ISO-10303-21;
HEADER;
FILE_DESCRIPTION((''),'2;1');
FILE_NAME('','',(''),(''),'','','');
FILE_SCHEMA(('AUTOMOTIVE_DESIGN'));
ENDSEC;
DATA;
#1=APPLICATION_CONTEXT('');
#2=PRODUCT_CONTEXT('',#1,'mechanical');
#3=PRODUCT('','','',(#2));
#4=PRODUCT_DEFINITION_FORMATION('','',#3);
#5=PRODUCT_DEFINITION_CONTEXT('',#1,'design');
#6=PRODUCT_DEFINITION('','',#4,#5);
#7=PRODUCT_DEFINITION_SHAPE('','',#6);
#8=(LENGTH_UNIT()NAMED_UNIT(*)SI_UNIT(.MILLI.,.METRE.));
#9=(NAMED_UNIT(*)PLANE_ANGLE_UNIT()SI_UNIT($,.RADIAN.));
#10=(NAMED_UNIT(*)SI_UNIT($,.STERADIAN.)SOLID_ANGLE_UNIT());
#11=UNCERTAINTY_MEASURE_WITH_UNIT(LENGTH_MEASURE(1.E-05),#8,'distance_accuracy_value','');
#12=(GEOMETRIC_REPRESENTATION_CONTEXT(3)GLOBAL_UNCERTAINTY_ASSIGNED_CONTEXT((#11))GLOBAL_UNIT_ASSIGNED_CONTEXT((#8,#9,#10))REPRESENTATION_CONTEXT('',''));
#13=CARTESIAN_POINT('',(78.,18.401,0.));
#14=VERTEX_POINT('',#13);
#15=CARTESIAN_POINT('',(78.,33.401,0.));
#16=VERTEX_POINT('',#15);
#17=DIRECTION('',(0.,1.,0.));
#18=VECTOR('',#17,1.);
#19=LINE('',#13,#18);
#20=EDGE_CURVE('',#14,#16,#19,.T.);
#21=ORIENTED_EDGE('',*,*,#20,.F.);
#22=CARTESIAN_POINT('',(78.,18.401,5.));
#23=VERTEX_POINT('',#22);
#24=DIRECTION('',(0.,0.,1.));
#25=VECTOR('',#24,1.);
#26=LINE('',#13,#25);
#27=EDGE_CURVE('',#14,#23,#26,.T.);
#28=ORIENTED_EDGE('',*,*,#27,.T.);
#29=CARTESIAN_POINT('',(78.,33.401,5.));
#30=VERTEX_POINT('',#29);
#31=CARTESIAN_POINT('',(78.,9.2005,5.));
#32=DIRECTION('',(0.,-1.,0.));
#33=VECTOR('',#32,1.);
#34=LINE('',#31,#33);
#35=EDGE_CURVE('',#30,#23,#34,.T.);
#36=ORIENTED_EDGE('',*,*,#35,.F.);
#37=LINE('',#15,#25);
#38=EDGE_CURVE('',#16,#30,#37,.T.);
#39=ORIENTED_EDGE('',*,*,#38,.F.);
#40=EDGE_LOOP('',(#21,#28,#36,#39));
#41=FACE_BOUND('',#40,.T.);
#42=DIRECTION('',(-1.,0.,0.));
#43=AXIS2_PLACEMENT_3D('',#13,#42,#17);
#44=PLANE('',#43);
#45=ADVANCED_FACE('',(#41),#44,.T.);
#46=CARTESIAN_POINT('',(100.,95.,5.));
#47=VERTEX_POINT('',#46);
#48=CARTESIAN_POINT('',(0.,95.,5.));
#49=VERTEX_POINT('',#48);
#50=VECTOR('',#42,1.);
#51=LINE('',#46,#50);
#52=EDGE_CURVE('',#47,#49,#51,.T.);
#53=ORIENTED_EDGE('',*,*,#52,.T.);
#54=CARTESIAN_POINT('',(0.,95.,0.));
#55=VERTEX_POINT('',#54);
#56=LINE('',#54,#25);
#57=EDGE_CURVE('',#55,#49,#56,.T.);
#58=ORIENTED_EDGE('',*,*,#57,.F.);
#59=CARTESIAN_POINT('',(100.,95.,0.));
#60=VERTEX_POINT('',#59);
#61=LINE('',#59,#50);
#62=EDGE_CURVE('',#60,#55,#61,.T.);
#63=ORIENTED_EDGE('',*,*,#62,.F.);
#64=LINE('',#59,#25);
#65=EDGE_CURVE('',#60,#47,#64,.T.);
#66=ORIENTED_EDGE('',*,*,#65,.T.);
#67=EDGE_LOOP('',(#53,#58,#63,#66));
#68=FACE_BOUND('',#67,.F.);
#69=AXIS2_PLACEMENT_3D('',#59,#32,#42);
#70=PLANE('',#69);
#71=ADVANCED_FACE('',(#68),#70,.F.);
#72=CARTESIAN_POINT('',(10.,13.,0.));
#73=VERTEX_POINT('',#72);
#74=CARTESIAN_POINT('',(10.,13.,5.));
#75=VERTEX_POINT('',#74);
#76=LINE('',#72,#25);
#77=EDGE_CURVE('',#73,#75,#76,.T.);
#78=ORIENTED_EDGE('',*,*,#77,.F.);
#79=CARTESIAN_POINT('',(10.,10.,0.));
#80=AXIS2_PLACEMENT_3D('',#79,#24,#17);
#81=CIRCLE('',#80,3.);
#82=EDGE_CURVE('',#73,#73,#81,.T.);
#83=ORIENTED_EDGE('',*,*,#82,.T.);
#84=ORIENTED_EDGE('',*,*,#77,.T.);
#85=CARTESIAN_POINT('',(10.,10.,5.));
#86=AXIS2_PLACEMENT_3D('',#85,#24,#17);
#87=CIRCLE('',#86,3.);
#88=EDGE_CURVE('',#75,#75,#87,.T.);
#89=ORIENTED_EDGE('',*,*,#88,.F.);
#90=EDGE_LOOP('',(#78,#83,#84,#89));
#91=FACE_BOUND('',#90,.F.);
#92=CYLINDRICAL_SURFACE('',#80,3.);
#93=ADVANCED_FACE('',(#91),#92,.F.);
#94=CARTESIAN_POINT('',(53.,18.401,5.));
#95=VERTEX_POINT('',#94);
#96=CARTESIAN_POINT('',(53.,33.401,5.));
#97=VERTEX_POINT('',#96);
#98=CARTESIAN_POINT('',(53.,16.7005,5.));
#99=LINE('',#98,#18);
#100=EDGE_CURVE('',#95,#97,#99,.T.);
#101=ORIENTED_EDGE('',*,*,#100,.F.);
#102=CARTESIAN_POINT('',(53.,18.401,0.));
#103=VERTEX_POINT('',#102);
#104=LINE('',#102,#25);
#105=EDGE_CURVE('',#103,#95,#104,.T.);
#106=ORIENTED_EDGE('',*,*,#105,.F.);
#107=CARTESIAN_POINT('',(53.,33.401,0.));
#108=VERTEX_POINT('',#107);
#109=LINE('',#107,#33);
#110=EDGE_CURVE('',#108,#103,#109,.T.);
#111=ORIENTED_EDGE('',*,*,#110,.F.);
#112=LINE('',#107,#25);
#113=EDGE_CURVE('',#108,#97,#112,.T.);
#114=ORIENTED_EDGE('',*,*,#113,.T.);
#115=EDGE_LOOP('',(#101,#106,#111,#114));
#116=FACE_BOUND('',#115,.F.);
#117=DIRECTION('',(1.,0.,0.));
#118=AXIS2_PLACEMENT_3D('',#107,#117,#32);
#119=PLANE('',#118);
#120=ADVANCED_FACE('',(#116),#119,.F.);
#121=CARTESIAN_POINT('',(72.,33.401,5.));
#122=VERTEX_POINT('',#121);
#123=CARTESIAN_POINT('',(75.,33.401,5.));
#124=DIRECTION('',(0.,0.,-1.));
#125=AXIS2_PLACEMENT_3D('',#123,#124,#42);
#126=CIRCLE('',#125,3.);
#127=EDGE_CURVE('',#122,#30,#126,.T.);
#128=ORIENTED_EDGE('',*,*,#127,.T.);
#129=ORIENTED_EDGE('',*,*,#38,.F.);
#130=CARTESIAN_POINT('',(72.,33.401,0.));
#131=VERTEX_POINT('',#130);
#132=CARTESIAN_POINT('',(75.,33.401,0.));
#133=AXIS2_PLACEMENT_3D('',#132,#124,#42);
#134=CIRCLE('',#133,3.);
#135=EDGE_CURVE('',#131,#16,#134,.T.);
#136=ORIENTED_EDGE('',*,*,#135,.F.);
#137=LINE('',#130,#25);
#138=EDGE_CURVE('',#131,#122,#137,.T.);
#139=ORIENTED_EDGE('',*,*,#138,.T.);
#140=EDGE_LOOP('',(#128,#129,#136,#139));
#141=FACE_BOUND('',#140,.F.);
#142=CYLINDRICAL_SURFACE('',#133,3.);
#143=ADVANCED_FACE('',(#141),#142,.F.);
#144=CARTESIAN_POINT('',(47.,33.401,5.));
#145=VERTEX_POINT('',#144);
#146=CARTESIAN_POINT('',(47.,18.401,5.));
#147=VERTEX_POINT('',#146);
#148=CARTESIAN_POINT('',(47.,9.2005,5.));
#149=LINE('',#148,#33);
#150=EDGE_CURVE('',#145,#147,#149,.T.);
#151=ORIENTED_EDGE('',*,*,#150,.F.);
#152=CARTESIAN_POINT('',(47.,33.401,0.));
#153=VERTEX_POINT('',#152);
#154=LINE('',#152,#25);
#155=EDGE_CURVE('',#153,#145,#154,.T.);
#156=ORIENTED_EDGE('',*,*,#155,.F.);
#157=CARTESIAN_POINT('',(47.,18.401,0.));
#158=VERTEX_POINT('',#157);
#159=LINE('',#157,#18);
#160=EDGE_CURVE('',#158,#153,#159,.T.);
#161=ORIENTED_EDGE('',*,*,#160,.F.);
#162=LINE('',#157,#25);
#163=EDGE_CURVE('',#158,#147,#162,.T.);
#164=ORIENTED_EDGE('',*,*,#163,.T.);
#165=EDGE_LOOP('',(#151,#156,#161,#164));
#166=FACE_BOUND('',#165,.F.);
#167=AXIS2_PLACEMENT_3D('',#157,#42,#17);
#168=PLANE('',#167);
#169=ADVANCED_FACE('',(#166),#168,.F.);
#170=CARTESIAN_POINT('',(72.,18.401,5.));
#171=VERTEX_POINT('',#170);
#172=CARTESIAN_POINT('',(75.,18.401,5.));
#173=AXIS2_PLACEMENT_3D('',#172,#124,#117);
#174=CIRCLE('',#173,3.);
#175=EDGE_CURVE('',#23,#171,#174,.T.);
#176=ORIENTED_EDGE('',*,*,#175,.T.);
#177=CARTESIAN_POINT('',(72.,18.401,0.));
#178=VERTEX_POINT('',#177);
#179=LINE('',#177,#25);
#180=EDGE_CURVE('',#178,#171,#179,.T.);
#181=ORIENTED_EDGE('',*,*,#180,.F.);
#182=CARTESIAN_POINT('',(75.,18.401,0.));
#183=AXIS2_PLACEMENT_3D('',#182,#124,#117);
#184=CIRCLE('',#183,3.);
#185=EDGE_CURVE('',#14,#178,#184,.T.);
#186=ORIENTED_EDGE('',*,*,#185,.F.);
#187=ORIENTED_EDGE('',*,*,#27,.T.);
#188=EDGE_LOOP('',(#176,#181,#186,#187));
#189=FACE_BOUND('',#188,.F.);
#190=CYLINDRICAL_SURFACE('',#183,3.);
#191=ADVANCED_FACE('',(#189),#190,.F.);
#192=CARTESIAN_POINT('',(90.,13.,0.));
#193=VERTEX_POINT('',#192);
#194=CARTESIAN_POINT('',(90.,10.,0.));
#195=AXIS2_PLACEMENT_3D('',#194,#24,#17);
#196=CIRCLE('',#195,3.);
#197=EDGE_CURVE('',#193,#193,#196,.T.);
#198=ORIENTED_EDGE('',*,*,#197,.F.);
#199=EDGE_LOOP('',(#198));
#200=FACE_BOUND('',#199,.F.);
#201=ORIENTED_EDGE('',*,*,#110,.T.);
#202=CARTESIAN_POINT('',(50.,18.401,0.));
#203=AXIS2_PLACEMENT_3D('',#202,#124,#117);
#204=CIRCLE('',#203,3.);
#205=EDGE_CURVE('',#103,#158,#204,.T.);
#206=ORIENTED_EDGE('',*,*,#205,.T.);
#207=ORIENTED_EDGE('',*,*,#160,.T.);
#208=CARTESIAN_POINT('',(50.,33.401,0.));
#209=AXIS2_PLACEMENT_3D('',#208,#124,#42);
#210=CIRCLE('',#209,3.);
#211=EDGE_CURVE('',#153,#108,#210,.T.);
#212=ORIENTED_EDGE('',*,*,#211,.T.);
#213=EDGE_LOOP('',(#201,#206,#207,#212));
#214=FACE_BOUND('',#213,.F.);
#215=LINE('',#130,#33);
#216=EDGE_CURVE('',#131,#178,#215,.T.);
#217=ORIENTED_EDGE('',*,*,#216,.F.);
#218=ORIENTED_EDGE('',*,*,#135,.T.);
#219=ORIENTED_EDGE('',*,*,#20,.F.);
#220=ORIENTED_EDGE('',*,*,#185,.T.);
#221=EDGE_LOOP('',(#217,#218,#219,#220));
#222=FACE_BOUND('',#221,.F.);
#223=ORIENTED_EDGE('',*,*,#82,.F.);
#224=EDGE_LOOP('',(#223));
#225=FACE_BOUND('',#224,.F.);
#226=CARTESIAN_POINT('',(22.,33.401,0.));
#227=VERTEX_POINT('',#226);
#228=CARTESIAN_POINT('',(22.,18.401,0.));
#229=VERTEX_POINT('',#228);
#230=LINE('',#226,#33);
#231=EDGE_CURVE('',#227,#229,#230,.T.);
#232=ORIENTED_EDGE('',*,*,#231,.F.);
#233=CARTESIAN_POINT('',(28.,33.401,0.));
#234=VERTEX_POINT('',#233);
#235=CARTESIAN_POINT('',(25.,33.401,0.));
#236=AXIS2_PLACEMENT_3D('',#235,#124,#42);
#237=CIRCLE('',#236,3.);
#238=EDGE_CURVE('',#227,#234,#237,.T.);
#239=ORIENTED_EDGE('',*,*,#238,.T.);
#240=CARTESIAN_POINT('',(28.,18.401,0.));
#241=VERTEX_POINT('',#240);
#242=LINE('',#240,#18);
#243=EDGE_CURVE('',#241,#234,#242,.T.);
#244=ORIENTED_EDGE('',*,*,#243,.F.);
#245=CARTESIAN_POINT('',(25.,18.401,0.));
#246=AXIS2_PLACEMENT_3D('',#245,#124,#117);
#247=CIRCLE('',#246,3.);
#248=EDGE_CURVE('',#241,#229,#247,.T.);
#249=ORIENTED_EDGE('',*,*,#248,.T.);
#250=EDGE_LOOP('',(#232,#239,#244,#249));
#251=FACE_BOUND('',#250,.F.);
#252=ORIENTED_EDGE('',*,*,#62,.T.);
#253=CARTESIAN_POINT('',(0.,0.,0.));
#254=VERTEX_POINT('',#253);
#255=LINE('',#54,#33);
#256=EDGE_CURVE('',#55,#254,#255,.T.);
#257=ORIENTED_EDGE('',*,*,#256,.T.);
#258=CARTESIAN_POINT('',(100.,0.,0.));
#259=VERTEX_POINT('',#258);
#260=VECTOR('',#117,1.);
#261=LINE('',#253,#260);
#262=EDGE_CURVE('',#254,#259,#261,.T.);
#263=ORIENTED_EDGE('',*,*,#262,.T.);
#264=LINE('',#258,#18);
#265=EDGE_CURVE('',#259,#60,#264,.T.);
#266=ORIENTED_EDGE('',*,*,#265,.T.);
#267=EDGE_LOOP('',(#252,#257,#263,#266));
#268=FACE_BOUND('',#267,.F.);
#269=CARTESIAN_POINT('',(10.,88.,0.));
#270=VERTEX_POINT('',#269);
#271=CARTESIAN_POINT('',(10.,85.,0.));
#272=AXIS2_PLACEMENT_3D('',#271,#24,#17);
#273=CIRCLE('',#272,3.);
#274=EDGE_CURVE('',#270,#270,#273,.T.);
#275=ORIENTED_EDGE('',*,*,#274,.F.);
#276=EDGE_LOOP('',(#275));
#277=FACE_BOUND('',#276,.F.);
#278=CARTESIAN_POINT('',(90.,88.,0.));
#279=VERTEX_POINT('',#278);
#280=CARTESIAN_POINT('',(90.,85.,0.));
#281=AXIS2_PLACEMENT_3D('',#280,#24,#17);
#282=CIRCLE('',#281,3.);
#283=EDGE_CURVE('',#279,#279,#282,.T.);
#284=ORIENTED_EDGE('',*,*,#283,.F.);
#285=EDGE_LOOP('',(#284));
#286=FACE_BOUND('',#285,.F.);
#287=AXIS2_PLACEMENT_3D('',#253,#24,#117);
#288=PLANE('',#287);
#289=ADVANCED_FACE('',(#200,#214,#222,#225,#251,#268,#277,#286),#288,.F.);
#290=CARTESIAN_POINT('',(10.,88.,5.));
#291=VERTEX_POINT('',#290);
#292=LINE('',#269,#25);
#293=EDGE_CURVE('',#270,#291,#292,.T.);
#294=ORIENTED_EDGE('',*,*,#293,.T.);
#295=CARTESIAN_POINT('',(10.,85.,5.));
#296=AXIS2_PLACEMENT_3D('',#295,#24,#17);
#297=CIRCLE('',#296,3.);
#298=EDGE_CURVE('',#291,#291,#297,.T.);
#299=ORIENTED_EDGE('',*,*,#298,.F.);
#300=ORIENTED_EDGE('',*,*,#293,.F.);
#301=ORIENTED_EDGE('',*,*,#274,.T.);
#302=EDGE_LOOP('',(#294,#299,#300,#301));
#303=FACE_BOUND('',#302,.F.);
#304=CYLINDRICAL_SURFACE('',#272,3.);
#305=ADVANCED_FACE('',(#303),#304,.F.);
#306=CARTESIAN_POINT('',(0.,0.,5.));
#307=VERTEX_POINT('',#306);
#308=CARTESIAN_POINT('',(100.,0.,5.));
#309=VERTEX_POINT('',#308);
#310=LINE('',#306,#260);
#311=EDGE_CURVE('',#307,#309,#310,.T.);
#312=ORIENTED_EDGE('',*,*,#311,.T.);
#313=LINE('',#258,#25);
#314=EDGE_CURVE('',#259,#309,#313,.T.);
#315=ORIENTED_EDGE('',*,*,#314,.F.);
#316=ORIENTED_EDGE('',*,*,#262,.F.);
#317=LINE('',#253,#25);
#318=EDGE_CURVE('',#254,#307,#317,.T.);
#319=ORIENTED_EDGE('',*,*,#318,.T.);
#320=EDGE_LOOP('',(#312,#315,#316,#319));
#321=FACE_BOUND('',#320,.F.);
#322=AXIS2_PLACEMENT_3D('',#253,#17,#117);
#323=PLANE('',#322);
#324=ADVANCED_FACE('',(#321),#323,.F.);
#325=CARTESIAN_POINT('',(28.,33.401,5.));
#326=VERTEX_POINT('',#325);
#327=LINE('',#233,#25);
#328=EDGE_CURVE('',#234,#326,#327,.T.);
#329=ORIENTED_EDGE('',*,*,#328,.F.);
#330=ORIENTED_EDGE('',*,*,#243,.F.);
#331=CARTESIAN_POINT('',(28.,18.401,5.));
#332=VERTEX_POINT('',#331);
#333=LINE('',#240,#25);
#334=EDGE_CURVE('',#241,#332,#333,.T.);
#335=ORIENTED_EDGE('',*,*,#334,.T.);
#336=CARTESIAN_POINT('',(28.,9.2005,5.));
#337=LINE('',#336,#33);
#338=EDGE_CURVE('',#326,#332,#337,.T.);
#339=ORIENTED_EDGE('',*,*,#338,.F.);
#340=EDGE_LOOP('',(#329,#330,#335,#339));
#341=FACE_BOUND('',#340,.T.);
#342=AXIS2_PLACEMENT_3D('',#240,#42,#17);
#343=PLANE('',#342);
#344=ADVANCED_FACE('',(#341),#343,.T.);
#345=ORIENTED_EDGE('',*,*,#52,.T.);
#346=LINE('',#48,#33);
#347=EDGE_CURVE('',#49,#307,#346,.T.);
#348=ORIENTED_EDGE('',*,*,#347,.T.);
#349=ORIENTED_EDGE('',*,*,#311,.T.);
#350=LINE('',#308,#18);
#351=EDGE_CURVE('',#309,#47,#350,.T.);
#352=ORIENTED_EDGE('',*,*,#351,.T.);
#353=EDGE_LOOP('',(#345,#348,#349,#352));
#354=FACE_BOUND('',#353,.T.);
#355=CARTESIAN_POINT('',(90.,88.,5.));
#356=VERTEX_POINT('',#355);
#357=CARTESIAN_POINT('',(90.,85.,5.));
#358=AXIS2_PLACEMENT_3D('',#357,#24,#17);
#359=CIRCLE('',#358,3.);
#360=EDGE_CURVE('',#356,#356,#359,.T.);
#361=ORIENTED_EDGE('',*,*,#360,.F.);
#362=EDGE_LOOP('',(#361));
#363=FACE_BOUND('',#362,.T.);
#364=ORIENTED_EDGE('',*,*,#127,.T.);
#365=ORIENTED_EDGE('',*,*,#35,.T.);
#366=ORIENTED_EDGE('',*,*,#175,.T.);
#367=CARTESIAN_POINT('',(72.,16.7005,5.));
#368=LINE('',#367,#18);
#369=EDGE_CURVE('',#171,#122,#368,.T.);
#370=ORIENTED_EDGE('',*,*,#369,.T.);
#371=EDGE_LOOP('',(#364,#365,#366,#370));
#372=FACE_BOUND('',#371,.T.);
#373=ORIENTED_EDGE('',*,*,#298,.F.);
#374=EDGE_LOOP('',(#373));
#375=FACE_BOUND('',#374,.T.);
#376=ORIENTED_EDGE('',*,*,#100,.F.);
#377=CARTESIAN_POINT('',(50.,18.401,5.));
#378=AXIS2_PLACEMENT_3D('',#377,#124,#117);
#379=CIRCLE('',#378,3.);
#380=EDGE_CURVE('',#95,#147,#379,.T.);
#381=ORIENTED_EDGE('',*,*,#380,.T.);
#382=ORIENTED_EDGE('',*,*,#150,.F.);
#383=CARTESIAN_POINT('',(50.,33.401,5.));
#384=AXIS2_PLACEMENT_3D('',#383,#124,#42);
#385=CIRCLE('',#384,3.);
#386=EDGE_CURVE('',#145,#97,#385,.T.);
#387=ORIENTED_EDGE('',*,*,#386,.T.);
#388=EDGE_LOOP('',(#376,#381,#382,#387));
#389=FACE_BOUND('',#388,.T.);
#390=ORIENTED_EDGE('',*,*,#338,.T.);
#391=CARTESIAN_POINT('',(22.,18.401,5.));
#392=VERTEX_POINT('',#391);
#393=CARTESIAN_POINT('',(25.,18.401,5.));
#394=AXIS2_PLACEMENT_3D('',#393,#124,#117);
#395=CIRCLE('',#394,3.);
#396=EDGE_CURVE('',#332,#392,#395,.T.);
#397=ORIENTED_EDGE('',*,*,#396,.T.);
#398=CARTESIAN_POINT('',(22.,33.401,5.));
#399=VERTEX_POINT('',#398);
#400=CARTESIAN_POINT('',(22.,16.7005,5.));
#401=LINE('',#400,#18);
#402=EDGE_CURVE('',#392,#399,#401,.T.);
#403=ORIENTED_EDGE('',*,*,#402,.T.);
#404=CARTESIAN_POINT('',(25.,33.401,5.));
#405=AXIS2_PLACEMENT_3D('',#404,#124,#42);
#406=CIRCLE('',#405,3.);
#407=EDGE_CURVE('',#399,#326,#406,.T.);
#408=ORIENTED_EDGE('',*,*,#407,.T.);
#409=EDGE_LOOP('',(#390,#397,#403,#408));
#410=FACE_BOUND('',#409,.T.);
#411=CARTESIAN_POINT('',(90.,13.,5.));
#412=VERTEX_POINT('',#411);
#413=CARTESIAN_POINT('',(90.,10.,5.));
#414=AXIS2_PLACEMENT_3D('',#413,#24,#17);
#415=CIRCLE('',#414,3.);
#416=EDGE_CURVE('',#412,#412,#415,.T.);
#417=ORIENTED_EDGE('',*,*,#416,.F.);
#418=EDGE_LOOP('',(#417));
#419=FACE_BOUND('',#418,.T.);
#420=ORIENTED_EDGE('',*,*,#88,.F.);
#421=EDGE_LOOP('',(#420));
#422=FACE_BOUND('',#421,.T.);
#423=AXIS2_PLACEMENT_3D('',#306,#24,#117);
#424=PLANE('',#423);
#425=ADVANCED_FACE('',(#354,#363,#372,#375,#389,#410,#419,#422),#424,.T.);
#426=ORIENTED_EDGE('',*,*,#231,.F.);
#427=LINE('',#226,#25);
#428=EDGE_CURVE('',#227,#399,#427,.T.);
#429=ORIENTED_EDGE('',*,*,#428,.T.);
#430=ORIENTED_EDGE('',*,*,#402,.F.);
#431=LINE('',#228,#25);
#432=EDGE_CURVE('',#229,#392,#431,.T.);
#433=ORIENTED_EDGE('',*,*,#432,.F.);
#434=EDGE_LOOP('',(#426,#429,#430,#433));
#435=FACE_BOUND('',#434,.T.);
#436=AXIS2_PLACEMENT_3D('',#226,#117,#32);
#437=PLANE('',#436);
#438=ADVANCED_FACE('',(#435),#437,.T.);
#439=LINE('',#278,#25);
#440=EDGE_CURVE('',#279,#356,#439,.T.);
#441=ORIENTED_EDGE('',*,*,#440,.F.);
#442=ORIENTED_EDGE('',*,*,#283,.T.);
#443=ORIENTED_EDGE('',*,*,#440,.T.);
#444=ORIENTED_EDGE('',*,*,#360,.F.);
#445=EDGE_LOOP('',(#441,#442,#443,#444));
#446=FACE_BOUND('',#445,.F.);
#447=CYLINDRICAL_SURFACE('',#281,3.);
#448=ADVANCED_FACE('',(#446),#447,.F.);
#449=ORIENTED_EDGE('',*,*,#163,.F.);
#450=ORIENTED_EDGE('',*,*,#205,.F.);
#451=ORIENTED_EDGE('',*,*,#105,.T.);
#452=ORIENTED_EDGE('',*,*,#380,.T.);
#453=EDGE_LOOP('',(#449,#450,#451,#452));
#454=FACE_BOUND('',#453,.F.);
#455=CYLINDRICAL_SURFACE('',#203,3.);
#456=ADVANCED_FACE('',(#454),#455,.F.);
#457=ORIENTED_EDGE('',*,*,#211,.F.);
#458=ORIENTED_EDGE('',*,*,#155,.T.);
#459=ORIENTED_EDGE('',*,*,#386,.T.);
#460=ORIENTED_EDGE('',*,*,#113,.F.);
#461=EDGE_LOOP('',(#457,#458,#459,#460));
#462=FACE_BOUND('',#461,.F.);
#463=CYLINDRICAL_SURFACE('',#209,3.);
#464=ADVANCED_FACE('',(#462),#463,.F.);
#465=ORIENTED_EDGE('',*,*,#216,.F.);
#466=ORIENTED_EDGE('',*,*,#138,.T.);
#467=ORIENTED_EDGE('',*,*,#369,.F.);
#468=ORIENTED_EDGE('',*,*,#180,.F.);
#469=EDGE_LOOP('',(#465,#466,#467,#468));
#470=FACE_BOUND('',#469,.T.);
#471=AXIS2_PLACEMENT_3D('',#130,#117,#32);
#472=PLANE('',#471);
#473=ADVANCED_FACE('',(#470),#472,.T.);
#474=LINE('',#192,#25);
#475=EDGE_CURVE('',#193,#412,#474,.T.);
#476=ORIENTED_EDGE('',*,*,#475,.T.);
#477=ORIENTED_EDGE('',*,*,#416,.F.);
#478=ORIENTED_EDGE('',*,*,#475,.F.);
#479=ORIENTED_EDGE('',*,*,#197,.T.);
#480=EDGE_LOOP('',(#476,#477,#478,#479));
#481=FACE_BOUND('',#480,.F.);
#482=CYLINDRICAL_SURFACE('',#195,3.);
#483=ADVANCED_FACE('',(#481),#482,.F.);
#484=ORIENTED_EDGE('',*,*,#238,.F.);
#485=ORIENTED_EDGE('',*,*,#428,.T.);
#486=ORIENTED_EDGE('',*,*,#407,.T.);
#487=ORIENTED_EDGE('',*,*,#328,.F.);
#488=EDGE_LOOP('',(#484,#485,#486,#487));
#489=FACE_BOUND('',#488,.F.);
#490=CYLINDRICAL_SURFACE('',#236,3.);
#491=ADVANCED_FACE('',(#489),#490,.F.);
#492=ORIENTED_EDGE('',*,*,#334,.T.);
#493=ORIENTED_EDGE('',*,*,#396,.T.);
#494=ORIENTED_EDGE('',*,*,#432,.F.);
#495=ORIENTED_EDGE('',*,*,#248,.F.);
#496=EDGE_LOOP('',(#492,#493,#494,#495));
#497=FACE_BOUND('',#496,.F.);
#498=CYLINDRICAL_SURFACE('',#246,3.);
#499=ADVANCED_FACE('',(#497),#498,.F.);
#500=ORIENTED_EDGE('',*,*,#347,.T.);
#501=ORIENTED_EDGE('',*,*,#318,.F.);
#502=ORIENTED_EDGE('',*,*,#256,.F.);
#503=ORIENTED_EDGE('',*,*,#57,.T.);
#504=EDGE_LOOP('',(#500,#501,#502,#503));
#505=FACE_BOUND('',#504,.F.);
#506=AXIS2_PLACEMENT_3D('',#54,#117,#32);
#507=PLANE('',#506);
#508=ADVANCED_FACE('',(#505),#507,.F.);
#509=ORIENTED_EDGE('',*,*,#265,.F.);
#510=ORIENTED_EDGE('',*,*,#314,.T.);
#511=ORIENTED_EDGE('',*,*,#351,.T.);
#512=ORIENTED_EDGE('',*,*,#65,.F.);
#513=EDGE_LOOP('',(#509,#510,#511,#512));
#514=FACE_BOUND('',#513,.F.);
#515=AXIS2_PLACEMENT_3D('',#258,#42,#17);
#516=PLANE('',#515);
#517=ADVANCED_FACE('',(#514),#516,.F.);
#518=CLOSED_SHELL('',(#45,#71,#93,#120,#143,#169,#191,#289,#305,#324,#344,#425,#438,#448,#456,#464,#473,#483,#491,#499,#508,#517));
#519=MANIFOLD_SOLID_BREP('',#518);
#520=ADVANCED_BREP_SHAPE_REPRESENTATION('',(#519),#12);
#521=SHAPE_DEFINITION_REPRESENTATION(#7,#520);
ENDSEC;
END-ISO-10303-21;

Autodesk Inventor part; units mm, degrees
ref_plane "YZ Plane" through (0, 0, 0) normal (1, 0, 0) x (0, 1, 0)
ref_plane "XZ Plane" through (0, 0, 0) normal (0, 1, 0) x (-1, 0, 0)
ref_plane "XY Plane" through (0, 0, 0) normal (0, 0, 1) x (1, 0, 0)
sketch "Sketch1" plane through (0, 0, 0) normal (0, 0, 1) x (1, 0, 0)
  line L0 (0, 0) -> (100, 0)
  line L1 (100, 0) -> (100, 95)
  line L2 (100, 95) -> (0, 95)
  line L3 (0, 95) -> (0, 0)
  point P0 (10, 10)
  point P1 (90, 10)
  point P2 (90, 85)
  point P3 (10, 85)
  dimension "d0" = 100
  dimension "d1" = 95
  dimension "d4" = 75
  dimension "d5" = 10
  dimension "d6" = 80
  dimension "d7" = 10
extrude "Extrusion1" add sketch "Sketch1" along normal blind 5
hole "Hole1" at (10, 10, 0) at (90, 10, 0) at (90, 85, 0) at (10, 85, 0) direction (0, 0, 1) diameter 6 end through all
sketch "Sketch2" plane through (0, 0, 0) normal (0, 0, -1) x (-1, 0, 0)
  line L0 (0, 95) -> (0, 0) projected
  line L1 (-100, 95) -> (0, 95) projected
  line L2 (-75, 33.401) -> (-75, 18.401) construction
  line L3 (-72, 33.401) -> (-72, 18.401)
  line L4 (-78, 18.401) -> (-78, 33.401)
  arc A0 (-72, 33.401) -> (-78, 33.401) centre (-75, 33.401) ccw
  arc A1 (-78, 18.401) -> (-72, 18.401) centre (-75, 18.401) ccw
  line L5 (-50, 33.401) -> (-50, 18.401) construction
  line L6 (-53, 33.401) -> (-53, 18.401)
  line L7 (-47, 18.401) -> (-47, 33.401)
  arc A2 (-47, 33.401) -> (-53, 33.401) centre (-50, 33.401) ccw
  arc A3 (-53, 18.401) -> (-47, 18.401) centre (-50, 18.401) ccw
  line L8 (-25, 33.401) -> (-25, 18.401) construction
  line L9 (-22, 33.401) -> (-22, 18.401)
  line L10 (-28, 18.401) -> (-28, 33.401)
  arc A4 (-22, 33.401) -> (-28, 33.401) centre (-25, 33.401) ccw
  arc A5 (-28, 18.401) -> (-22, 18.401) centre (-25, 18.401) ccw
  point P0 (-25, 25.901)
  point P1 (-50, 25.901)
  point P2 (-75, 25.901)
  point P3 (-75, 25.901)
  point P4 (-50, 25.901)
  point P5 (-25, 25.901)
  dimension "d15" = 50
  dimension "d17" = 25
  dimension "d18" = 25
  dimension "d19" = 69.099
  dimension "d27" = 6
  dimension "d28" = 15
  dimension "d29" = 7.5
extrude "Extrusion2" cut sketch "Sketch2" against normal blind 10
equation "\"d29\" = 0.5 * d28"
properties part number "Magazine_Mount_Plate_3DPrint"
